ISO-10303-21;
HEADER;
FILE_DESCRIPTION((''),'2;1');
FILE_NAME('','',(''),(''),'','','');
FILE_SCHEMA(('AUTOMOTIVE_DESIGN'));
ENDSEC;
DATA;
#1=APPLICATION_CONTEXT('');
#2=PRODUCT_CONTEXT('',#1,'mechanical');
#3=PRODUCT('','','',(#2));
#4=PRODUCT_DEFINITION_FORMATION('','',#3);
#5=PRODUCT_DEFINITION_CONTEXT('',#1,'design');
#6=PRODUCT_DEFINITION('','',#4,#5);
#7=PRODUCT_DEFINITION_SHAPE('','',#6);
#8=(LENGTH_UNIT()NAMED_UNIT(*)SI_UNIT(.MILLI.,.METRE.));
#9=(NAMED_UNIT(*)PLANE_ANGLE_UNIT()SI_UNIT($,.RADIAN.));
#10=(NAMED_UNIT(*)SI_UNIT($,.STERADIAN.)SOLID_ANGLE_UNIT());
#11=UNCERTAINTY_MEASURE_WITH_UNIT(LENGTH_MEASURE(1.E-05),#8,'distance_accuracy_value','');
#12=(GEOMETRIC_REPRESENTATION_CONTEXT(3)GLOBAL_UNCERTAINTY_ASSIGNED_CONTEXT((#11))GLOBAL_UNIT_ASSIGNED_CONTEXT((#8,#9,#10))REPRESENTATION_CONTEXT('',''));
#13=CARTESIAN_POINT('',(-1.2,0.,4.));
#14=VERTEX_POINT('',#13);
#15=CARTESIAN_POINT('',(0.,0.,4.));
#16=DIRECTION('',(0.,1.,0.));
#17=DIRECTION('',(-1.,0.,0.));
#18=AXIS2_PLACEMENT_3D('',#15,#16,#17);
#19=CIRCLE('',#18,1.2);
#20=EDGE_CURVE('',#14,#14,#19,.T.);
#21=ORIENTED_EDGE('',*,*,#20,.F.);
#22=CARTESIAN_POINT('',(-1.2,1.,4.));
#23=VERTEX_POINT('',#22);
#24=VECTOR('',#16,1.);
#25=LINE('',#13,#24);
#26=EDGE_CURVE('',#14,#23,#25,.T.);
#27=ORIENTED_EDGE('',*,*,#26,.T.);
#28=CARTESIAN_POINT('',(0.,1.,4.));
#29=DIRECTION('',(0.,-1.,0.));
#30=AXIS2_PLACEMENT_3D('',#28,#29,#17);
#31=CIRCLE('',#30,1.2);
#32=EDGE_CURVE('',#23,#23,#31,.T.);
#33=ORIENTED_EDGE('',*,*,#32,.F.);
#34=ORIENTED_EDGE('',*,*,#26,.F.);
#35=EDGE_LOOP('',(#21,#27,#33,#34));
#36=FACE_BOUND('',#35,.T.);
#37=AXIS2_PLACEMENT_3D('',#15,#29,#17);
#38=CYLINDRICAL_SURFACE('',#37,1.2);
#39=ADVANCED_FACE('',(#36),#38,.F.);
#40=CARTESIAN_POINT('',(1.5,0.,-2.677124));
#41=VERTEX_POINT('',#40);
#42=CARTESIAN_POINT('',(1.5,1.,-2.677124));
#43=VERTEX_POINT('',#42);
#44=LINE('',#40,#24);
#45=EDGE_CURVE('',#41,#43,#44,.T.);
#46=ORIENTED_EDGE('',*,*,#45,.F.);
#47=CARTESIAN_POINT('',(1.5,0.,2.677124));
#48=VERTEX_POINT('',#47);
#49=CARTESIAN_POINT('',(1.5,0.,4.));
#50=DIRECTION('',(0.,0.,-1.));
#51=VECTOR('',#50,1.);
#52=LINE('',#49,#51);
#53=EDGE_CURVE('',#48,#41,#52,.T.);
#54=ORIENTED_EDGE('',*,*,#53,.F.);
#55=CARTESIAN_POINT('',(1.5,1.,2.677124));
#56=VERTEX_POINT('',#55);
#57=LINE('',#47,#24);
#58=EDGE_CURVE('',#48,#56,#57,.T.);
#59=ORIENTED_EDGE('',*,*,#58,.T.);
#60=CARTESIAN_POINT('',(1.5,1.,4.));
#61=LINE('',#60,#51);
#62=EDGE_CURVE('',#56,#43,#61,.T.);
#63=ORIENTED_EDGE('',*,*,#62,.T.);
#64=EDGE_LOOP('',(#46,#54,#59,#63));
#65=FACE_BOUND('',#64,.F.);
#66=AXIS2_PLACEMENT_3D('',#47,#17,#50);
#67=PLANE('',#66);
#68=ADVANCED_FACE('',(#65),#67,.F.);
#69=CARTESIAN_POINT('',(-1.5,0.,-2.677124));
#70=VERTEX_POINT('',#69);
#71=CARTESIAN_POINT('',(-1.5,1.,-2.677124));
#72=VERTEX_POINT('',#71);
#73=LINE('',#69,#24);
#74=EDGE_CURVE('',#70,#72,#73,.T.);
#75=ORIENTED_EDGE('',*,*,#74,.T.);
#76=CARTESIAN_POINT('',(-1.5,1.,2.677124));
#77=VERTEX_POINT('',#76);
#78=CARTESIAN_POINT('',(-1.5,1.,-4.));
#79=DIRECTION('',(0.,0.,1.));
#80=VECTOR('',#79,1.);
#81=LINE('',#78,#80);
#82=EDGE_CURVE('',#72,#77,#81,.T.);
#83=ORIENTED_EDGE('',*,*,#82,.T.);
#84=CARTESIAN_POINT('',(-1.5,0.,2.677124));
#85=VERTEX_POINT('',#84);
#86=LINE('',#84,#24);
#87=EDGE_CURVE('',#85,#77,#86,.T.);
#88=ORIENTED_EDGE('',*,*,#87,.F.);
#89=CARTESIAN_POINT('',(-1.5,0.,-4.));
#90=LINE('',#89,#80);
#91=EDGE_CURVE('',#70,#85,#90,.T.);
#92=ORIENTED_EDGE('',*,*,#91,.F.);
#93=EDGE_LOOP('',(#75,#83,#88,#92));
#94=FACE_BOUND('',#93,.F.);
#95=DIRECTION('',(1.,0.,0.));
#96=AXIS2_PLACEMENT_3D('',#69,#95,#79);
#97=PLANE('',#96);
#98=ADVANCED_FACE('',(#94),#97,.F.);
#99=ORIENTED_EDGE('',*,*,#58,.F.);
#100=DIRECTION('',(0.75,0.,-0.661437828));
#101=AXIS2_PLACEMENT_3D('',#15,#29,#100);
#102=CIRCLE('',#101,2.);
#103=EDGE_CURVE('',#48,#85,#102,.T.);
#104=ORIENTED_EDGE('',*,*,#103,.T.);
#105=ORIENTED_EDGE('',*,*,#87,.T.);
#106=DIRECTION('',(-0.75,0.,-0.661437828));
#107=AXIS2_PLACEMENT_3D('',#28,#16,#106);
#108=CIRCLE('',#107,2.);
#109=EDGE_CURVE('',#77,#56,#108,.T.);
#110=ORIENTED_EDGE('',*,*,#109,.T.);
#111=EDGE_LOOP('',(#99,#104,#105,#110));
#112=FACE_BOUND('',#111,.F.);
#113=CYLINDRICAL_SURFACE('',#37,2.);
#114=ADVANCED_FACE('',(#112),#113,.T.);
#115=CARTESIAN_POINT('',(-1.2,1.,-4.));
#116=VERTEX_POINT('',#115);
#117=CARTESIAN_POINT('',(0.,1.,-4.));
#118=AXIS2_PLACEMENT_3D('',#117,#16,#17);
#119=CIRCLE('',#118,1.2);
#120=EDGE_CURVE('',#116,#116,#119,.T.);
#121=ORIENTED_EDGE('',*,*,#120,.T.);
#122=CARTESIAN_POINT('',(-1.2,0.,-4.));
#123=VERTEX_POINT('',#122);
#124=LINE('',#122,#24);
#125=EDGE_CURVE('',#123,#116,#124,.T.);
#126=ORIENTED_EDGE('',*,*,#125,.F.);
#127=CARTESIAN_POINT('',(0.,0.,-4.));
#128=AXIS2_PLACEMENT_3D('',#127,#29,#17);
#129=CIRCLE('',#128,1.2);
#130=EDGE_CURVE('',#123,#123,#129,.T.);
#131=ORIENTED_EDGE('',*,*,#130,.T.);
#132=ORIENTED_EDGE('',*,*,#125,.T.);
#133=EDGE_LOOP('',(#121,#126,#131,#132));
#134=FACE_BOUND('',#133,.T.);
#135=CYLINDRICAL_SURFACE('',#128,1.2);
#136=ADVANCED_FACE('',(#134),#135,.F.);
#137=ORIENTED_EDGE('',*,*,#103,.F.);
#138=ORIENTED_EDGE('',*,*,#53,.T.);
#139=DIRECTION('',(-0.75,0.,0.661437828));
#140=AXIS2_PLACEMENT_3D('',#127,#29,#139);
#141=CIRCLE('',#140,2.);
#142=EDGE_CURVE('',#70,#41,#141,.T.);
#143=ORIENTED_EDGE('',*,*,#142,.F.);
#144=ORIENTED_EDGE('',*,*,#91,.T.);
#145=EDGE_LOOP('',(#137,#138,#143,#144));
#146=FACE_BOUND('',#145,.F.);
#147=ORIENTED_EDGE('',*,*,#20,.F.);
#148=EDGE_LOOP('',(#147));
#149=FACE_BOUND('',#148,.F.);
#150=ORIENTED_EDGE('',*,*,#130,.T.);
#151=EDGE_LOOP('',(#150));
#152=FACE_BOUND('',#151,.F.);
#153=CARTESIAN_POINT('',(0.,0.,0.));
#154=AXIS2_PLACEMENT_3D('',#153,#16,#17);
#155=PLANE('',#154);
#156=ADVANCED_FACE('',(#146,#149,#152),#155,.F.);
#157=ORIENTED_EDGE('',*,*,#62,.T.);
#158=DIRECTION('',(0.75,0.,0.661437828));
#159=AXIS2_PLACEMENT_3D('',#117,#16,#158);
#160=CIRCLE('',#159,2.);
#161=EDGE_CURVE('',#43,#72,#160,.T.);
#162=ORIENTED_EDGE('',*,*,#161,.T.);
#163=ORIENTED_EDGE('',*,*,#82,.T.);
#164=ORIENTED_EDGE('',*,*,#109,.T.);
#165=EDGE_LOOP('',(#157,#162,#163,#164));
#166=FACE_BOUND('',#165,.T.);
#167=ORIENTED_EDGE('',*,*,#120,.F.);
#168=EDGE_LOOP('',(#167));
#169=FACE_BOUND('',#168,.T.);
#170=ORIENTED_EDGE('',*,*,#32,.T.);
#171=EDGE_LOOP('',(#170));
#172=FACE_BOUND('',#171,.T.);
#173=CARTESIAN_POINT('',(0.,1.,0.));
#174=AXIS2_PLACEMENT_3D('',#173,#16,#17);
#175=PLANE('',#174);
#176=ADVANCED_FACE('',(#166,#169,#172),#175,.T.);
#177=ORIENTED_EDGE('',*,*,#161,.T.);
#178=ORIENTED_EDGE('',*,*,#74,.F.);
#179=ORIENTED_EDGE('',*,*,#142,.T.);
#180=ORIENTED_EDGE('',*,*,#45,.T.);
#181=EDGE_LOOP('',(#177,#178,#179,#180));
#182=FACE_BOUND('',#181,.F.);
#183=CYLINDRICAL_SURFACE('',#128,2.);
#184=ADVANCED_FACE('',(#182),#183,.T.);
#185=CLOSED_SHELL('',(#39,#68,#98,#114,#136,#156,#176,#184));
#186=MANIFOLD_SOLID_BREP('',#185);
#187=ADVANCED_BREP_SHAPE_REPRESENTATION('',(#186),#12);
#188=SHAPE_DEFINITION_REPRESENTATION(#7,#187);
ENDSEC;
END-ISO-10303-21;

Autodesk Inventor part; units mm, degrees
ref_plane "YZ Plane" through (0, 0, 0) normal (1, 0, 0) x (0, 1, 0)
ref_plane "XZ Plane" through (0, 0, 0) normal (0, 1, 0) x (-1, 0, 0)
sketch "Sketch1" plane through (0, 0, 0) normal (0, 1, 0) x (-1, 0, 0)
  line L0 (-1.5, -4) -> (1.5, -4)
  line L1 (1.5, -4) -> (1.5, 4)
  line L2 (1.5, 4) -> (-1.5, 4)
  line L3 (-1.5, 4) -> (-1.5, -4)
  line L4 (-1.5, -4) -> (1.5, 4) construction
  line L5 (1.5, -4) -> (-1.5, 4) construction
  circle A0 centre (0, 4) radius 1.2
  circle A1 centre (0, -4) radius 1.2
  circle A2 centre (0, -4) radius 2
  circle A3 centre (0, 4) radius 2
  point P0 (0, 0)
  point P1 (-1.5, -2.6771)
  point P2 (1.5, -2.6771)
  point P3 (1.5, 2.6771)
  point P4 (-1.5, 2.6771)
  dimension "d0" = 3
  dimension "linkPitch" = 8
  dimension "d2" = 2.4
  dimension "d3" = 2.4
  dimension "d4" = 4
  dimension "d5" = 4
extrude "Extrusion1" add sketch "Sketch1" along normal blind 1 contours A1 L0 L3 A2 L1 | L0 L1 A2 L3 A1 | A2 L3 A3 L1 | A3 L3 L2 A0 L1 | L1 L2 A0 L3 A3
ref_plane "Work Plane1" through (0, 0.5, 0) normal (0, 1, 0) x (1, 0, 0)
sketch "Sketch2" plane through (0, 1, 0) normal (0, 1, 0) x (1, 0, 0)
  line L0 (-1.5, 2.6771) -> (-1.5, -2.6771) projected
  arc A0 (-1.5, -2.6771) -> (1.5, -2.6771) centre (0, -4) ccw projected
  line L1 (1.5, -2.6771) -> (1.5, 2.6771) projected
  arc A1 (1.5, 2.6771) -> (-1.5, 2.6771) centre (0, 4) ccw projected
  circle A2 centre (0, 4) radius 1.2 projected
  circle A3 centre (0, -4) radius 1.2 projected
  circle A4 centre (0, -4) radius 1
  point P0 (0, 0)
  dimension "d17" = 2
extrude "Extrusion2" [suppressed]
sketch "Sketch3" plane through (0, 1, 0) normal (0, 1, 0) x (1, 0, 0)
  line L0 (-1.5, 2.6771) -> (-1.5, -2.6771) projected
  arc A0 (-1.5, -2.6771) -> (1.5, -2.6771) centre (0, -4) ccw projected
  line L1 (1.5, -2.6771) -> (1.5, 2.6771) projected
  arc A1 (1.5, 2.6771) -> (-1.5, 2.6771) centre (0, 4) ccw projected
  circle A2 centre (0, 4) radius 1.2 projected
  circle A3 centre (0, -4) radius 1.2 projected
  circle A4 centre (0, 4) radius 1
  point P0 (0, 0)
  dimension "d18" = 2
extrude "Extrusion3" [suppressed]
sketch "Sketch4" plane through (0, 1, 0) normal (0, 1, 0) x (1, 0, 0)
  line L0 (-1.5, 2.6771) -> (-1.5, -2.6771) projected
  arc A0 (-1.5, -2.6771) -> (1.5, -2.6771) centre (0, -4) ccw projected
  line L1 (1.5, -2.6771) -> (1.5, 2.6771) projected
  arc A1 (1.5, 2.6771) -> (-1.5, 2.6771) centre (0, 4) ccw projected
  circle A2 centre (0, 4) radius 1.2 projected
  circle A3 centre (0, -4) radius 1.2 projected
  point P0 (0, 0)
extrude "Extrusion4" [suppressed]
sketch "Sketch5" plane through (0, 1, 0) normal (0, 1, 0) x (1, 0, 0)
  line L0 (-1.5, 2.6771) -> (-1.5, -2.6771) projected
  arc A0 (-1.5, -2.6771) -> (1.5, -2.6771) centre (0, -4) ccw projected
  line L1 (1.5, -2.6771) -> (1.5, 2.6771) projected
  arc A1 (1.5, 2.6771) -> (-1.5, 2.6771) centre (0, 4) ccw projected
  circle A2 centre (0, 4) radius 1.2 projected
  point P0 (0, 0)
extrude "Extrusion5" [suppressed]
equation "\"d2\" = d3"
equation "\"d5\" = d4"
properties part number "link-8-1pin"
